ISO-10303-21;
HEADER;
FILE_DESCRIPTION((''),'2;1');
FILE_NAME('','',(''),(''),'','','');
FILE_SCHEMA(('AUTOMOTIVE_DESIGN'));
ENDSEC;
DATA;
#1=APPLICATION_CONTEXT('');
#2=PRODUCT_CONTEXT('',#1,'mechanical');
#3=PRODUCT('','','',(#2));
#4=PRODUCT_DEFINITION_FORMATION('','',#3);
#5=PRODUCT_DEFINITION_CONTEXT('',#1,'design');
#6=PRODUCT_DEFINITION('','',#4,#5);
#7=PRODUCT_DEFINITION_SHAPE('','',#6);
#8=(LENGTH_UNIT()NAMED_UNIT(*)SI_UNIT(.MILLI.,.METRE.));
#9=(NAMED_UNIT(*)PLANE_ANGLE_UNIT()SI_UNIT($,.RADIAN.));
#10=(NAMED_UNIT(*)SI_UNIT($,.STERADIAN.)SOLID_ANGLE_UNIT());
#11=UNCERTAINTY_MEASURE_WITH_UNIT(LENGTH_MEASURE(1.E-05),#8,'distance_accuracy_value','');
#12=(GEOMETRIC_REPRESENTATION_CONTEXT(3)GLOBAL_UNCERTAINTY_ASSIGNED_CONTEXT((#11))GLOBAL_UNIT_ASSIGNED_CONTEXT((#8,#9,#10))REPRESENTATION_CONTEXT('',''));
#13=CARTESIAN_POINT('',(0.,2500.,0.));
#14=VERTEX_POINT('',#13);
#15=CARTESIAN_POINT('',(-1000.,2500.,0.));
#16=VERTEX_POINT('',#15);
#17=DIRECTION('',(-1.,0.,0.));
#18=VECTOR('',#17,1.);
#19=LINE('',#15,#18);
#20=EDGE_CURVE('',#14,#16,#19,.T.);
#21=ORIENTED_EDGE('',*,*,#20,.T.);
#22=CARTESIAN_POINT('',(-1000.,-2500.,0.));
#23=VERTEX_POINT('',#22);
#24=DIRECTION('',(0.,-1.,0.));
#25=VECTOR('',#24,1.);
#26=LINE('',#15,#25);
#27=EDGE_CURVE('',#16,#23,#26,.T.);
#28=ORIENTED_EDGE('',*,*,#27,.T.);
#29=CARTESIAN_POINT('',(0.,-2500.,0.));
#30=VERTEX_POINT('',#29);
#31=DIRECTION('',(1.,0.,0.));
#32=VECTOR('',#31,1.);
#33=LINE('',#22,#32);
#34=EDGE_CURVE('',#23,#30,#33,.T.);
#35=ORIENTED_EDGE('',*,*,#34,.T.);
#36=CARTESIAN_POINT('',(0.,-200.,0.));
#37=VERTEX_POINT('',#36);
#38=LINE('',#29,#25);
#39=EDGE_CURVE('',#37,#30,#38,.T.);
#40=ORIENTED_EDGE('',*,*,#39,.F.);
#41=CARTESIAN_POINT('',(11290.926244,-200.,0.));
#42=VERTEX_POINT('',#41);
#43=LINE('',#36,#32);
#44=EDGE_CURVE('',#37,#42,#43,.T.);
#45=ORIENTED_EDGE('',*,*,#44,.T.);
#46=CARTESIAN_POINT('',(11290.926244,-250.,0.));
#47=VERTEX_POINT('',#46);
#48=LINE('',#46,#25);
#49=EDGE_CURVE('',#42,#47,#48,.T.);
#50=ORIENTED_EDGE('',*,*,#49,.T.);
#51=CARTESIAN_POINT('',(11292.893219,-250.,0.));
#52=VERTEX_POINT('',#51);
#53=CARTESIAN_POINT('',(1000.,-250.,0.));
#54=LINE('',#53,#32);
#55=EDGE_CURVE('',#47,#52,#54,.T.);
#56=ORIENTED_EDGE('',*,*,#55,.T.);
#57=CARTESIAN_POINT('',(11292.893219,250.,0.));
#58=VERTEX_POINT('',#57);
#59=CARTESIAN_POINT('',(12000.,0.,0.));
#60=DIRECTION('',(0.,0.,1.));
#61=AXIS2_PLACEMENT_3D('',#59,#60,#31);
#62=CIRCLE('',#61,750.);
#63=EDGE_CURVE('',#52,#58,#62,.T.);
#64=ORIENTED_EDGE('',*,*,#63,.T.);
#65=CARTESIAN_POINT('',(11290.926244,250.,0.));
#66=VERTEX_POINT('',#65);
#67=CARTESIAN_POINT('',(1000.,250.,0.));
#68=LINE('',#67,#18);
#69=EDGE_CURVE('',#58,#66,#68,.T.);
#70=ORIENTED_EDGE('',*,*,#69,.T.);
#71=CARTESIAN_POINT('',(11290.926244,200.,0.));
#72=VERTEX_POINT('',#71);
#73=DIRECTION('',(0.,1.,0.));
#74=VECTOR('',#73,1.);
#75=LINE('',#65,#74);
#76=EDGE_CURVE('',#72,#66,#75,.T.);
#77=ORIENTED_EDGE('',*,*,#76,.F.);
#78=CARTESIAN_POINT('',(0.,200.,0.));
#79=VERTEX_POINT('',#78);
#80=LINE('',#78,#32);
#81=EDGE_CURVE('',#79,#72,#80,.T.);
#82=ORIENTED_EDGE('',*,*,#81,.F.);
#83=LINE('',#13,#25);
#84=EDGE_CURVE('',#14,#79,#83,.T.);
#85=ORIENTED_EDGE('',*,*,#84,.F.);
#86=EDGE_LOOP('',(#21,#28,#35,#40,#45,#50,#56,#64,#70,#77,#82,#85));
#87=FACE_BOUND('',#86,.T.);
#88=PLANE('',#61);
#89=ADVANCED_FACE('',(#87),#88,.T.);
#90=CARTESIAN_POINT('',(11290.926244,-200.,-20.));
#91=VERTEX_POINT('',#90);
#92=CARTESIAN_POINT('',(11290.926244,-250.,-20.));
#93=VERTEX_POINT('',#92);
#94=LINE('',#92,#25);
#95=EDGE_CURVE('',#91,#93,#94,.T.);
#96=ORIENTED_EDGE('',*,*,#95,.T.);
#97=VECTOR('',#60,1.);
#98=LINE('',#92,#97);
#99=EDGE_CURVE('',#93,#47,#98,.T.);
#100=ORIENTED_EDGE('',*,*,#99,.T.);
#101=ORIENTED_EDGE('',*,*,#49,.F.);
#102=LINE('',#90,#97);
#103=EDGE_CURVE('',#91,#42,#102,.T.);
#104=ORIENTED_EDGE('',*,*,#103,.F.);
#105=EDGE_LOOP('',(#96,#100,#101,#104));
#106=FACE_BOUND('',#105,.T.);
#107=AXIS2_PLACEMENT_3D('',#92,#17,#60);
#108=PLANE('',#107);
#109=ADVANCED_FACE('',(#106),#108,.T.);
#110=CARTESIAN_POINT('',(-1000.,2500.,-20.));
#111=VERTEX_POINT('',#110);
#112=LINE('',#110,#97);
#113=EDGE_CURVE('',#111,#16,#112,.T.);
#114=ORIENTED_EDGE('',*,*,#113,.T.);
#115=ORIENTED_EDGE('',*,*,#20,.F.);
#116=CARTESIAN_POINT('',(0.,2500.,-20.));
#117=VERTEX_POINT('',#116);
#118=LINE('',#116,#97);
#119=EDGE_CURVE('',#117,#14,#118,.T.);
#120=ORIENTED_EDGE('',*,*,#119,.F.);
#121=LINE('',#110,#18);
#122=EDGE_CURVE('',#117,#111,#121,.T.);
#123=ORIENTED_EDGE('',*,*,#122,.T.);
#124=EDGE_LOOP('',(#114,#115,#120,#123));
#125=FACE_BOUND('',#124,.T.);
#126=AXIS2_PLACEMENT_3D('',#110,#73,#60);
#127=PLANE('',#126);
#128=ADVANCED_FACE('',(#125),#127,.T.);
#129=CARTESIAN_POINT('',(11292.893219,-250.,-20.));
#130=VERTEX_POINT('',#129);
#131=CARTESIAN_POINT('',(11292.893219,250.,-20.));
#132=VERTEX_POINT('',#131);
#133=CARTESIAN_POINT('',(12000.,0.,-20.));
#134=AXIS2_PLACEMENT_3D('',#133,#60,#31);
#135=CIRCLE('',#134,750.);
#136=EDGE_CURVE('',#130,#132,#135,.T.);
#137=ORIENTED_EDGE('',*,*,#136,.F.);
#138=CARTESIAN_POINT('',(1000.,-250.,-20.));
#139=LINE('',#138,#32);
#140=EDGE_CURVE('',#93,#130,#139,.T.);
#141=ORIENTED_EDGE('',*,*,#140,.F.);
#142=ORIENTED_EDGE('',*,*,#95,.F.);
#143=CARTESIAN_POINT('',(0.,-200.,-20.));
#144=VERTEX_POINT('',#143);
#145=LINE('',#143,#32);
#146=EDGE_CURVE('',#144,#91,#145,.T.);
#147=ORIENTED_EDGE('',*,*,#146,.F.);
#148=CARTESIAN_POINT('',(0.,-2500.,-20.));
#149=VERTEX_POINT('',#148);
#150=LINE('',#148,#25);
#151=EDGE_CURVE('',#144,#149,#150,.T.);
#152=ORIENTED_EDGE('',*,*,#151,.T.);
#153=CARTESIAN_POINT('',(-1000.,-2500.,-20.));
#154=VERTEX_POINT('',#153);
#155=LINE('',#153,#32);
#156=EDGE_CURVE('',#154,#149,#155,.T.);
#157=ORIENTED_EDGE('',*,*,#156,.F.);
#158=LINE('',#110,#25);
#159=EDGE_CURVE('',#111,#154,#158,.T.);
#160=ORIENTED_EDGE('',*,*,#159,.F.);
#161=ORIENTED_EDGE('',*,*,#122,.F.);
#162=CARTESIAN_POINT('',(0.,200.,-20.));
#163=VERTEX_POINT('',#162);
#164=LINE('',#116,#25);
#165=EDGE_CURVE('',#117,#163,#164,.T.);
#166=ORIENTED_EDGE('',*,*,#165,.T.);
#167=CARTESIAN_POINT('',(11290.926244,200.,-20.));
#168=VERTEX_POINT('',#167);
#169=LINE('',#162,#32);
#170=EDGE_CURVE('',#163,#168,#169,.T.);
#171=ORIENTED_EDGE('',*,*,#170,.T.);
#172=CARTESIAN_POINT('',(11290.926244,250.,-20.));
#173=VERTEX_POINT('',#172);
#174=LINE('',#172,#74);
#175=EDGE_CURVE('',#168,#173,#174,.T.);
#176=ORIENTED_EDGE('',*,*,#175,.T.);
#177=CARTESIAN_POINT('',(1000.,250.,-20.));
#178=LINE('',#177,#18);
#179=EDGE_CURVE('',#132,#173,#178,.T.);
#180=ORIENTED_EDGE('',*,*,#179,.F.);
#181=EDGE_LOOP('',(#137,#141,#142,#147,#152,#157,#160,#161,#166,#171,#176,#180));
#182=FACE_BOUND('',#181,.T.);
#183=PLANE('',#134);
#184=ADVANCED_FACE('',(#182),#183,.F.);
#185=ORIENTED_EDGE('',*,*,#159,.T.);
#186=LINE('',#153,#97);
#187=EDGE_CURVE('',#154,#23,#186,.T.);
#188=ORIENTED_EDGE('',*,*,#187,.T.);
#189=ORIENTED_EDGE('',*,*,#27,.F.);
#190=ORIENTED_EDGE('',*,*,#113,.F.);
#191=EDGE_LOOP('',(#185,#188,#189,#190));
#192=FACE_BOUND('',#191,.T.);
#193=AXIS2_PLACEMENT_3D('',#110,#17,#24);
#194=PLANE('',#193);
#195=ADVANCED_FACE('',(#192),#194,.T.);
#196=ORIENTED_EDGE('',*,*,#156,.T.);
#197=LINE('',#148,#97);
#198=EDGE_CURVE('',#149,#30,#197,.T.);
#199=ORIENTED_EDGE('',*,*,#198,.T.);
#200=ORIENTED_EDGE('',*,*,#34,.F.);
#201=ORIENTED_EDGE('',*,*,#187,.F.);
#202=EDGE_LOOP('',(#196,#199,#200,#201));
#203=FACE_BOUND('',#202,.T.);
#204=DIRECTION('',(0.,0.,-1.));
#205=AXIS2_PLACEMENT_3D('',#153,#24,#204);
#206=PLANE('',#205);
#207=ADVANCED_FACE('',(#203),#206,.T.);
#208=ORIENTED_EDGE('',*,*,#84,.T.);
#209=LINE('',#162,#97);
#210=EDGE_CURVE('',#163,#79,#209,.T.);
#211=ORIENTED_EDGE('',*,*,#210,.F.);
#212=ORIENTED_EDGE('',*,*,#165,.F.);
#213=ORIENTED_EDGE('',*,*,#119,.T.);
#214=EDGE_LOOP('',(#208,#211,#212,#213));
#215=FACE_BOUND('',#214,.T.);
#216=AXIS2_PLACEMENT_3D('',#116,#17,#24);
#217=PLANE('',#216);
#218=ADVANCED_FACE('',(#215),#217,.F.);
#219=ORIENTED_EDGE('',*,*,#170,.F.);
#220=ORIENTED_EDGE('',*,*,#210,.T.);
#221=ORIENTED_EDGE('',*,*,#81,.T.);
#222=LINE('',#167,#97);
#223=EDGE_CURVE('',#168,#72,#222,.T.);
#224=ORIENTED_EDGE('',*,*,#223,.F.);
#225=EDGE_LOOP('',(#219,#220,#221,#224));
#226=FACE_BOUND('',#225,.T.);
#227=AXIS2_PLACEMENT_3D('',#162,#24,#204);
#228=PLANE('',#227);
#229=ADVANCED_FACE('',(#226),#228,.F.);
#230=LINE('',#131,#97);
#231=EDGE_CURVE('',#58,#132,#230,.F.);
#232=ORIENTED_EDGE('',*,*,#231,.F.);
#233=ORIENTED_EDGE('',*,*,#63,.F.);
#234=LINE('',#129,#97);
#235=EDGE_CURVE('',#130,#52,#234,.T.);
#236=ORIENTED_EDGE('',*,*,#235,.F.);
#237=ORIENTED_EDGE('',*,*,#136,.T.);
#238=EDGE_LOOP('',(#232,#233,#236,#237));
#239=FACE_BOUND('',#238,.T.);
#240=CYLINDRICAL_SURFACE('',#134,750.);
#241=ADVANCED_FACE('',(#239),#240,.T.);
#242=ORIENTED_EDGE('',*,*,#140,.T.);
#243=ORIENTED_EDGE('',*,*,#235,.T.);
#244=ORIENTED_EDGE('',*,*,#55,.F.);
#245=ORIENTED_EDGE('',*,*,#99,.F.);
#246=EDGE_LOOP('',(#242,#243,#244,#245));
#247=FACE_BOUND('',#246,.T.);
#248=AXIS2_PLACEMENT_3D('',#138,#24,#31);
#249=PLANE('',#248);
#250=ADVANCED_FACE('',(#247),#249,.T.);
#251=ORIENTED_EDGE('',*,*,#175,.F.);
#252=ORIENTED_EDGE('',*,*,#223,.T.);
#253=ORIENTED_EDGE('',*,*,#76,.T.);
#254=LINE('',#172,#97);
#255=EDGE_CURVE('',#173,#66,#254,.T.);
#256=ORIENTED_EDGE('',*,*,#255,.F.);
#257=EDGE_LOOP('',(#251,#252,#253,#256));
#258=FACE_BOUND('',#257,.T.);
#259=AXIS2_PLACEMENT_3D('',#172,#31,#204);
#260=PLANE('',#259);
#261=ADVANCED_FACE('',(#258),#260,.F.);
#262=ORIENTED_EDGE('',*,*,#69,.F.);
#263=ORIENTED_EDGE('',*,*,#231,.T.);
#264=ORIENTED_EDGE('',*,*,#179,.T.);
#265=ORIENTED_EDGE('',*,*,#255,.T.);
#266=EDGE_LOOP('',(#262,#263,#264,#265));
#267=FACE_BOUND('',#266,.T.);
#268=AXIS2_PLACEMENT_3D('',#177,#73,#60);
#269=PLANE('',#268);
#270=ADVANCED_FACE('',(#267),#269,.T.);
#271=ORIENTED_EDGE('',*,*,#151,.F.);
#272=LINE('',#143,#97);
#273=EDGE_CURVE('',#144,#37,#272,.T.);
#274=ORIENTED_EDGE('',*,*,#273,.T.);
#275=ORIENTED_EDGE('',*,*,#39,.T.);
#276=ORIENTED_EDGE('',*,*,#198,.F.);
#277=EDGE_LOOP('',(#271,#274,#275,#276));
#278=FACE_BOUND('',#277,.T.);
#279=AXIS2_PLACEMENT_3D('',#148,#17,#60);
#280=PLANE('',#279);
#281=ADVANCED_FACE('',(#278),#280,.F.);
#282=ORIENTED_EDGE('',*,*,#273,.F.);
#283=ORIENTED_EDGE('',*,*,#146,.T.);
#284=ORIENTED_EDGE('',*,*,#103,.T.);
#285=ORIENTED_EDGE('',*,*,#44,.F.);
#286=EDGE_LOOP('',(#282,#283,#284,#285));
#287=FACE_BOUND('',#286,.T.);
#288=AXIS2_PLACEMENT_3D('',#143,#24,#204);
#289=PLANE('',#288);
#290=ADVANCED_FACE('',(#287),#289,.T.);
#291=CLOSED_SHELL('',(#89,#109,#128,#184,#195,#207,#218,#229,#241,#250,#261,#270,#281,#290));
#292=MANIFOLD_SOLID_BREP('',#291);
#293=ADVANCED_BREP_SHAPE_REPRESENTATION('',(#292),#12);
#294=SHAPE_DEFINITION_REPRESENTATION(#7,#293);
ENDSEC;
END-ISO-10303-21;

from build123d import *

# Parameters (mm, degrees)
BOSS_EXTRUDE1_DEPTH = 20
SKETCH2_W           = 1000
SKETCH2_H           = 2250
CUT_EXTRUDE1_DEPTH  = 12993.801853334
CUT_EXTRUDE4_DEPTH  = 12993.801853334
SKETCH5_W           = 11500
SKETCH5_H           = 500
BOSS_EXTRUDE2_DEPTH = 20
SKETCH6_W           = 11290.926244446
SKETCH6_H           = 50
CUT_EXTRUDE5_DEPTH  = 12993.801853334


with BuildPart() as part:
    # Sketch1 → Boss-Extrude1 (new body)
    with BuildSketch(Plane.XY):
        with BuildLine():
            Line((1000, 250), (5000, 250))
            Line((5000, 250), (5000, 125))
            Line((5000, 125), (9000, 125))
            Line((9000, 125), (9000, 100))
            Line((9000, 100), (11256.696562634, 100))
            ThreePointArc((11256.696562634, 100), (12750, 0), (11256.696562634, -100))
            Line((11256.696562634, -100), (9000, -100))
            Line((9000, -100), (9000, -125))
            Line((9000, -125), (5000, -125))
            Line((5000, -125), (5000, -250))
            Line((5000, -250), (1000, -250))
            Line((1000, -250), (1000, -2500))
            Line((1000, -2500), (-1000, -2500))
            Line((-1000, -2500), (-1000, 2500))
            Line((-1000, 2500), (1000, 2500))
            Line((1000, 2500), (1000, 250))
        make_face()
    extrude(amount=-BOSS_EXTRUDE1_DEPTH)

    # Sketch2 → Cut-Extrude1 (cut, through all)
    with BuildSketch(Plane.XY):
        with Locations((500, 1375)):
            Rectangle(SKETCH2_W, SKETCH2_H)
        with Locations((500, -1375)):
            Rectangle(SKETCH2_W, SKETCH2_H)
    extrude(amount=-CUT_EXTRUDE1_DEPTH, mode=Mode.SUBTRACT)

    # Sketch3 → Cut-Extrude4 (cut, through all)
    with BuildSketch(Plane.XY):
        Polygon((1500, -250), (3250, -250), (5000, -250), (5000, -150), (3250, -150), (3250, -200), (1500, -200), align=None)
    cut_extrude4 = extrude(amount=-CUT_EXTRUDE4_DEPTH, mode=Mode.SUBTRACT)

    # Mirror1: Cut-Extrude4 across plane
    add(cut_extrude4.mirror(Plane.ZX), mode=Mode.SUBTRACT)

    # Sketch5 → Boss-Extrude2 (add)
    with BuildSketch(Plane.XY):
        with Locations((5750, 0)):
            Rectangle(SKETCH5_W, SKETCH5_H)
    extrude(amount=-BOSS_EXTRUDE2_DEPTH)

    # Sketch6 → Cut-Extrude5 (cut, through all)
    with BuildSketch(Plane.XY):
        with Locations((5645.463122223, 225)):
            Rectangle(SKETCH6_W, SKETCH6_H)
    cut_extrude5 = extrude(amount=-CUT_EXTRUDE5_DEPTH, mode=Mode.SUBTRACT)

    # Mirror2: Cut-Extrude5 across plane
    add(cut_extrude5.mirror(Plane.ZX), mode=Mode.SUBTRACT)


solid = part.part
